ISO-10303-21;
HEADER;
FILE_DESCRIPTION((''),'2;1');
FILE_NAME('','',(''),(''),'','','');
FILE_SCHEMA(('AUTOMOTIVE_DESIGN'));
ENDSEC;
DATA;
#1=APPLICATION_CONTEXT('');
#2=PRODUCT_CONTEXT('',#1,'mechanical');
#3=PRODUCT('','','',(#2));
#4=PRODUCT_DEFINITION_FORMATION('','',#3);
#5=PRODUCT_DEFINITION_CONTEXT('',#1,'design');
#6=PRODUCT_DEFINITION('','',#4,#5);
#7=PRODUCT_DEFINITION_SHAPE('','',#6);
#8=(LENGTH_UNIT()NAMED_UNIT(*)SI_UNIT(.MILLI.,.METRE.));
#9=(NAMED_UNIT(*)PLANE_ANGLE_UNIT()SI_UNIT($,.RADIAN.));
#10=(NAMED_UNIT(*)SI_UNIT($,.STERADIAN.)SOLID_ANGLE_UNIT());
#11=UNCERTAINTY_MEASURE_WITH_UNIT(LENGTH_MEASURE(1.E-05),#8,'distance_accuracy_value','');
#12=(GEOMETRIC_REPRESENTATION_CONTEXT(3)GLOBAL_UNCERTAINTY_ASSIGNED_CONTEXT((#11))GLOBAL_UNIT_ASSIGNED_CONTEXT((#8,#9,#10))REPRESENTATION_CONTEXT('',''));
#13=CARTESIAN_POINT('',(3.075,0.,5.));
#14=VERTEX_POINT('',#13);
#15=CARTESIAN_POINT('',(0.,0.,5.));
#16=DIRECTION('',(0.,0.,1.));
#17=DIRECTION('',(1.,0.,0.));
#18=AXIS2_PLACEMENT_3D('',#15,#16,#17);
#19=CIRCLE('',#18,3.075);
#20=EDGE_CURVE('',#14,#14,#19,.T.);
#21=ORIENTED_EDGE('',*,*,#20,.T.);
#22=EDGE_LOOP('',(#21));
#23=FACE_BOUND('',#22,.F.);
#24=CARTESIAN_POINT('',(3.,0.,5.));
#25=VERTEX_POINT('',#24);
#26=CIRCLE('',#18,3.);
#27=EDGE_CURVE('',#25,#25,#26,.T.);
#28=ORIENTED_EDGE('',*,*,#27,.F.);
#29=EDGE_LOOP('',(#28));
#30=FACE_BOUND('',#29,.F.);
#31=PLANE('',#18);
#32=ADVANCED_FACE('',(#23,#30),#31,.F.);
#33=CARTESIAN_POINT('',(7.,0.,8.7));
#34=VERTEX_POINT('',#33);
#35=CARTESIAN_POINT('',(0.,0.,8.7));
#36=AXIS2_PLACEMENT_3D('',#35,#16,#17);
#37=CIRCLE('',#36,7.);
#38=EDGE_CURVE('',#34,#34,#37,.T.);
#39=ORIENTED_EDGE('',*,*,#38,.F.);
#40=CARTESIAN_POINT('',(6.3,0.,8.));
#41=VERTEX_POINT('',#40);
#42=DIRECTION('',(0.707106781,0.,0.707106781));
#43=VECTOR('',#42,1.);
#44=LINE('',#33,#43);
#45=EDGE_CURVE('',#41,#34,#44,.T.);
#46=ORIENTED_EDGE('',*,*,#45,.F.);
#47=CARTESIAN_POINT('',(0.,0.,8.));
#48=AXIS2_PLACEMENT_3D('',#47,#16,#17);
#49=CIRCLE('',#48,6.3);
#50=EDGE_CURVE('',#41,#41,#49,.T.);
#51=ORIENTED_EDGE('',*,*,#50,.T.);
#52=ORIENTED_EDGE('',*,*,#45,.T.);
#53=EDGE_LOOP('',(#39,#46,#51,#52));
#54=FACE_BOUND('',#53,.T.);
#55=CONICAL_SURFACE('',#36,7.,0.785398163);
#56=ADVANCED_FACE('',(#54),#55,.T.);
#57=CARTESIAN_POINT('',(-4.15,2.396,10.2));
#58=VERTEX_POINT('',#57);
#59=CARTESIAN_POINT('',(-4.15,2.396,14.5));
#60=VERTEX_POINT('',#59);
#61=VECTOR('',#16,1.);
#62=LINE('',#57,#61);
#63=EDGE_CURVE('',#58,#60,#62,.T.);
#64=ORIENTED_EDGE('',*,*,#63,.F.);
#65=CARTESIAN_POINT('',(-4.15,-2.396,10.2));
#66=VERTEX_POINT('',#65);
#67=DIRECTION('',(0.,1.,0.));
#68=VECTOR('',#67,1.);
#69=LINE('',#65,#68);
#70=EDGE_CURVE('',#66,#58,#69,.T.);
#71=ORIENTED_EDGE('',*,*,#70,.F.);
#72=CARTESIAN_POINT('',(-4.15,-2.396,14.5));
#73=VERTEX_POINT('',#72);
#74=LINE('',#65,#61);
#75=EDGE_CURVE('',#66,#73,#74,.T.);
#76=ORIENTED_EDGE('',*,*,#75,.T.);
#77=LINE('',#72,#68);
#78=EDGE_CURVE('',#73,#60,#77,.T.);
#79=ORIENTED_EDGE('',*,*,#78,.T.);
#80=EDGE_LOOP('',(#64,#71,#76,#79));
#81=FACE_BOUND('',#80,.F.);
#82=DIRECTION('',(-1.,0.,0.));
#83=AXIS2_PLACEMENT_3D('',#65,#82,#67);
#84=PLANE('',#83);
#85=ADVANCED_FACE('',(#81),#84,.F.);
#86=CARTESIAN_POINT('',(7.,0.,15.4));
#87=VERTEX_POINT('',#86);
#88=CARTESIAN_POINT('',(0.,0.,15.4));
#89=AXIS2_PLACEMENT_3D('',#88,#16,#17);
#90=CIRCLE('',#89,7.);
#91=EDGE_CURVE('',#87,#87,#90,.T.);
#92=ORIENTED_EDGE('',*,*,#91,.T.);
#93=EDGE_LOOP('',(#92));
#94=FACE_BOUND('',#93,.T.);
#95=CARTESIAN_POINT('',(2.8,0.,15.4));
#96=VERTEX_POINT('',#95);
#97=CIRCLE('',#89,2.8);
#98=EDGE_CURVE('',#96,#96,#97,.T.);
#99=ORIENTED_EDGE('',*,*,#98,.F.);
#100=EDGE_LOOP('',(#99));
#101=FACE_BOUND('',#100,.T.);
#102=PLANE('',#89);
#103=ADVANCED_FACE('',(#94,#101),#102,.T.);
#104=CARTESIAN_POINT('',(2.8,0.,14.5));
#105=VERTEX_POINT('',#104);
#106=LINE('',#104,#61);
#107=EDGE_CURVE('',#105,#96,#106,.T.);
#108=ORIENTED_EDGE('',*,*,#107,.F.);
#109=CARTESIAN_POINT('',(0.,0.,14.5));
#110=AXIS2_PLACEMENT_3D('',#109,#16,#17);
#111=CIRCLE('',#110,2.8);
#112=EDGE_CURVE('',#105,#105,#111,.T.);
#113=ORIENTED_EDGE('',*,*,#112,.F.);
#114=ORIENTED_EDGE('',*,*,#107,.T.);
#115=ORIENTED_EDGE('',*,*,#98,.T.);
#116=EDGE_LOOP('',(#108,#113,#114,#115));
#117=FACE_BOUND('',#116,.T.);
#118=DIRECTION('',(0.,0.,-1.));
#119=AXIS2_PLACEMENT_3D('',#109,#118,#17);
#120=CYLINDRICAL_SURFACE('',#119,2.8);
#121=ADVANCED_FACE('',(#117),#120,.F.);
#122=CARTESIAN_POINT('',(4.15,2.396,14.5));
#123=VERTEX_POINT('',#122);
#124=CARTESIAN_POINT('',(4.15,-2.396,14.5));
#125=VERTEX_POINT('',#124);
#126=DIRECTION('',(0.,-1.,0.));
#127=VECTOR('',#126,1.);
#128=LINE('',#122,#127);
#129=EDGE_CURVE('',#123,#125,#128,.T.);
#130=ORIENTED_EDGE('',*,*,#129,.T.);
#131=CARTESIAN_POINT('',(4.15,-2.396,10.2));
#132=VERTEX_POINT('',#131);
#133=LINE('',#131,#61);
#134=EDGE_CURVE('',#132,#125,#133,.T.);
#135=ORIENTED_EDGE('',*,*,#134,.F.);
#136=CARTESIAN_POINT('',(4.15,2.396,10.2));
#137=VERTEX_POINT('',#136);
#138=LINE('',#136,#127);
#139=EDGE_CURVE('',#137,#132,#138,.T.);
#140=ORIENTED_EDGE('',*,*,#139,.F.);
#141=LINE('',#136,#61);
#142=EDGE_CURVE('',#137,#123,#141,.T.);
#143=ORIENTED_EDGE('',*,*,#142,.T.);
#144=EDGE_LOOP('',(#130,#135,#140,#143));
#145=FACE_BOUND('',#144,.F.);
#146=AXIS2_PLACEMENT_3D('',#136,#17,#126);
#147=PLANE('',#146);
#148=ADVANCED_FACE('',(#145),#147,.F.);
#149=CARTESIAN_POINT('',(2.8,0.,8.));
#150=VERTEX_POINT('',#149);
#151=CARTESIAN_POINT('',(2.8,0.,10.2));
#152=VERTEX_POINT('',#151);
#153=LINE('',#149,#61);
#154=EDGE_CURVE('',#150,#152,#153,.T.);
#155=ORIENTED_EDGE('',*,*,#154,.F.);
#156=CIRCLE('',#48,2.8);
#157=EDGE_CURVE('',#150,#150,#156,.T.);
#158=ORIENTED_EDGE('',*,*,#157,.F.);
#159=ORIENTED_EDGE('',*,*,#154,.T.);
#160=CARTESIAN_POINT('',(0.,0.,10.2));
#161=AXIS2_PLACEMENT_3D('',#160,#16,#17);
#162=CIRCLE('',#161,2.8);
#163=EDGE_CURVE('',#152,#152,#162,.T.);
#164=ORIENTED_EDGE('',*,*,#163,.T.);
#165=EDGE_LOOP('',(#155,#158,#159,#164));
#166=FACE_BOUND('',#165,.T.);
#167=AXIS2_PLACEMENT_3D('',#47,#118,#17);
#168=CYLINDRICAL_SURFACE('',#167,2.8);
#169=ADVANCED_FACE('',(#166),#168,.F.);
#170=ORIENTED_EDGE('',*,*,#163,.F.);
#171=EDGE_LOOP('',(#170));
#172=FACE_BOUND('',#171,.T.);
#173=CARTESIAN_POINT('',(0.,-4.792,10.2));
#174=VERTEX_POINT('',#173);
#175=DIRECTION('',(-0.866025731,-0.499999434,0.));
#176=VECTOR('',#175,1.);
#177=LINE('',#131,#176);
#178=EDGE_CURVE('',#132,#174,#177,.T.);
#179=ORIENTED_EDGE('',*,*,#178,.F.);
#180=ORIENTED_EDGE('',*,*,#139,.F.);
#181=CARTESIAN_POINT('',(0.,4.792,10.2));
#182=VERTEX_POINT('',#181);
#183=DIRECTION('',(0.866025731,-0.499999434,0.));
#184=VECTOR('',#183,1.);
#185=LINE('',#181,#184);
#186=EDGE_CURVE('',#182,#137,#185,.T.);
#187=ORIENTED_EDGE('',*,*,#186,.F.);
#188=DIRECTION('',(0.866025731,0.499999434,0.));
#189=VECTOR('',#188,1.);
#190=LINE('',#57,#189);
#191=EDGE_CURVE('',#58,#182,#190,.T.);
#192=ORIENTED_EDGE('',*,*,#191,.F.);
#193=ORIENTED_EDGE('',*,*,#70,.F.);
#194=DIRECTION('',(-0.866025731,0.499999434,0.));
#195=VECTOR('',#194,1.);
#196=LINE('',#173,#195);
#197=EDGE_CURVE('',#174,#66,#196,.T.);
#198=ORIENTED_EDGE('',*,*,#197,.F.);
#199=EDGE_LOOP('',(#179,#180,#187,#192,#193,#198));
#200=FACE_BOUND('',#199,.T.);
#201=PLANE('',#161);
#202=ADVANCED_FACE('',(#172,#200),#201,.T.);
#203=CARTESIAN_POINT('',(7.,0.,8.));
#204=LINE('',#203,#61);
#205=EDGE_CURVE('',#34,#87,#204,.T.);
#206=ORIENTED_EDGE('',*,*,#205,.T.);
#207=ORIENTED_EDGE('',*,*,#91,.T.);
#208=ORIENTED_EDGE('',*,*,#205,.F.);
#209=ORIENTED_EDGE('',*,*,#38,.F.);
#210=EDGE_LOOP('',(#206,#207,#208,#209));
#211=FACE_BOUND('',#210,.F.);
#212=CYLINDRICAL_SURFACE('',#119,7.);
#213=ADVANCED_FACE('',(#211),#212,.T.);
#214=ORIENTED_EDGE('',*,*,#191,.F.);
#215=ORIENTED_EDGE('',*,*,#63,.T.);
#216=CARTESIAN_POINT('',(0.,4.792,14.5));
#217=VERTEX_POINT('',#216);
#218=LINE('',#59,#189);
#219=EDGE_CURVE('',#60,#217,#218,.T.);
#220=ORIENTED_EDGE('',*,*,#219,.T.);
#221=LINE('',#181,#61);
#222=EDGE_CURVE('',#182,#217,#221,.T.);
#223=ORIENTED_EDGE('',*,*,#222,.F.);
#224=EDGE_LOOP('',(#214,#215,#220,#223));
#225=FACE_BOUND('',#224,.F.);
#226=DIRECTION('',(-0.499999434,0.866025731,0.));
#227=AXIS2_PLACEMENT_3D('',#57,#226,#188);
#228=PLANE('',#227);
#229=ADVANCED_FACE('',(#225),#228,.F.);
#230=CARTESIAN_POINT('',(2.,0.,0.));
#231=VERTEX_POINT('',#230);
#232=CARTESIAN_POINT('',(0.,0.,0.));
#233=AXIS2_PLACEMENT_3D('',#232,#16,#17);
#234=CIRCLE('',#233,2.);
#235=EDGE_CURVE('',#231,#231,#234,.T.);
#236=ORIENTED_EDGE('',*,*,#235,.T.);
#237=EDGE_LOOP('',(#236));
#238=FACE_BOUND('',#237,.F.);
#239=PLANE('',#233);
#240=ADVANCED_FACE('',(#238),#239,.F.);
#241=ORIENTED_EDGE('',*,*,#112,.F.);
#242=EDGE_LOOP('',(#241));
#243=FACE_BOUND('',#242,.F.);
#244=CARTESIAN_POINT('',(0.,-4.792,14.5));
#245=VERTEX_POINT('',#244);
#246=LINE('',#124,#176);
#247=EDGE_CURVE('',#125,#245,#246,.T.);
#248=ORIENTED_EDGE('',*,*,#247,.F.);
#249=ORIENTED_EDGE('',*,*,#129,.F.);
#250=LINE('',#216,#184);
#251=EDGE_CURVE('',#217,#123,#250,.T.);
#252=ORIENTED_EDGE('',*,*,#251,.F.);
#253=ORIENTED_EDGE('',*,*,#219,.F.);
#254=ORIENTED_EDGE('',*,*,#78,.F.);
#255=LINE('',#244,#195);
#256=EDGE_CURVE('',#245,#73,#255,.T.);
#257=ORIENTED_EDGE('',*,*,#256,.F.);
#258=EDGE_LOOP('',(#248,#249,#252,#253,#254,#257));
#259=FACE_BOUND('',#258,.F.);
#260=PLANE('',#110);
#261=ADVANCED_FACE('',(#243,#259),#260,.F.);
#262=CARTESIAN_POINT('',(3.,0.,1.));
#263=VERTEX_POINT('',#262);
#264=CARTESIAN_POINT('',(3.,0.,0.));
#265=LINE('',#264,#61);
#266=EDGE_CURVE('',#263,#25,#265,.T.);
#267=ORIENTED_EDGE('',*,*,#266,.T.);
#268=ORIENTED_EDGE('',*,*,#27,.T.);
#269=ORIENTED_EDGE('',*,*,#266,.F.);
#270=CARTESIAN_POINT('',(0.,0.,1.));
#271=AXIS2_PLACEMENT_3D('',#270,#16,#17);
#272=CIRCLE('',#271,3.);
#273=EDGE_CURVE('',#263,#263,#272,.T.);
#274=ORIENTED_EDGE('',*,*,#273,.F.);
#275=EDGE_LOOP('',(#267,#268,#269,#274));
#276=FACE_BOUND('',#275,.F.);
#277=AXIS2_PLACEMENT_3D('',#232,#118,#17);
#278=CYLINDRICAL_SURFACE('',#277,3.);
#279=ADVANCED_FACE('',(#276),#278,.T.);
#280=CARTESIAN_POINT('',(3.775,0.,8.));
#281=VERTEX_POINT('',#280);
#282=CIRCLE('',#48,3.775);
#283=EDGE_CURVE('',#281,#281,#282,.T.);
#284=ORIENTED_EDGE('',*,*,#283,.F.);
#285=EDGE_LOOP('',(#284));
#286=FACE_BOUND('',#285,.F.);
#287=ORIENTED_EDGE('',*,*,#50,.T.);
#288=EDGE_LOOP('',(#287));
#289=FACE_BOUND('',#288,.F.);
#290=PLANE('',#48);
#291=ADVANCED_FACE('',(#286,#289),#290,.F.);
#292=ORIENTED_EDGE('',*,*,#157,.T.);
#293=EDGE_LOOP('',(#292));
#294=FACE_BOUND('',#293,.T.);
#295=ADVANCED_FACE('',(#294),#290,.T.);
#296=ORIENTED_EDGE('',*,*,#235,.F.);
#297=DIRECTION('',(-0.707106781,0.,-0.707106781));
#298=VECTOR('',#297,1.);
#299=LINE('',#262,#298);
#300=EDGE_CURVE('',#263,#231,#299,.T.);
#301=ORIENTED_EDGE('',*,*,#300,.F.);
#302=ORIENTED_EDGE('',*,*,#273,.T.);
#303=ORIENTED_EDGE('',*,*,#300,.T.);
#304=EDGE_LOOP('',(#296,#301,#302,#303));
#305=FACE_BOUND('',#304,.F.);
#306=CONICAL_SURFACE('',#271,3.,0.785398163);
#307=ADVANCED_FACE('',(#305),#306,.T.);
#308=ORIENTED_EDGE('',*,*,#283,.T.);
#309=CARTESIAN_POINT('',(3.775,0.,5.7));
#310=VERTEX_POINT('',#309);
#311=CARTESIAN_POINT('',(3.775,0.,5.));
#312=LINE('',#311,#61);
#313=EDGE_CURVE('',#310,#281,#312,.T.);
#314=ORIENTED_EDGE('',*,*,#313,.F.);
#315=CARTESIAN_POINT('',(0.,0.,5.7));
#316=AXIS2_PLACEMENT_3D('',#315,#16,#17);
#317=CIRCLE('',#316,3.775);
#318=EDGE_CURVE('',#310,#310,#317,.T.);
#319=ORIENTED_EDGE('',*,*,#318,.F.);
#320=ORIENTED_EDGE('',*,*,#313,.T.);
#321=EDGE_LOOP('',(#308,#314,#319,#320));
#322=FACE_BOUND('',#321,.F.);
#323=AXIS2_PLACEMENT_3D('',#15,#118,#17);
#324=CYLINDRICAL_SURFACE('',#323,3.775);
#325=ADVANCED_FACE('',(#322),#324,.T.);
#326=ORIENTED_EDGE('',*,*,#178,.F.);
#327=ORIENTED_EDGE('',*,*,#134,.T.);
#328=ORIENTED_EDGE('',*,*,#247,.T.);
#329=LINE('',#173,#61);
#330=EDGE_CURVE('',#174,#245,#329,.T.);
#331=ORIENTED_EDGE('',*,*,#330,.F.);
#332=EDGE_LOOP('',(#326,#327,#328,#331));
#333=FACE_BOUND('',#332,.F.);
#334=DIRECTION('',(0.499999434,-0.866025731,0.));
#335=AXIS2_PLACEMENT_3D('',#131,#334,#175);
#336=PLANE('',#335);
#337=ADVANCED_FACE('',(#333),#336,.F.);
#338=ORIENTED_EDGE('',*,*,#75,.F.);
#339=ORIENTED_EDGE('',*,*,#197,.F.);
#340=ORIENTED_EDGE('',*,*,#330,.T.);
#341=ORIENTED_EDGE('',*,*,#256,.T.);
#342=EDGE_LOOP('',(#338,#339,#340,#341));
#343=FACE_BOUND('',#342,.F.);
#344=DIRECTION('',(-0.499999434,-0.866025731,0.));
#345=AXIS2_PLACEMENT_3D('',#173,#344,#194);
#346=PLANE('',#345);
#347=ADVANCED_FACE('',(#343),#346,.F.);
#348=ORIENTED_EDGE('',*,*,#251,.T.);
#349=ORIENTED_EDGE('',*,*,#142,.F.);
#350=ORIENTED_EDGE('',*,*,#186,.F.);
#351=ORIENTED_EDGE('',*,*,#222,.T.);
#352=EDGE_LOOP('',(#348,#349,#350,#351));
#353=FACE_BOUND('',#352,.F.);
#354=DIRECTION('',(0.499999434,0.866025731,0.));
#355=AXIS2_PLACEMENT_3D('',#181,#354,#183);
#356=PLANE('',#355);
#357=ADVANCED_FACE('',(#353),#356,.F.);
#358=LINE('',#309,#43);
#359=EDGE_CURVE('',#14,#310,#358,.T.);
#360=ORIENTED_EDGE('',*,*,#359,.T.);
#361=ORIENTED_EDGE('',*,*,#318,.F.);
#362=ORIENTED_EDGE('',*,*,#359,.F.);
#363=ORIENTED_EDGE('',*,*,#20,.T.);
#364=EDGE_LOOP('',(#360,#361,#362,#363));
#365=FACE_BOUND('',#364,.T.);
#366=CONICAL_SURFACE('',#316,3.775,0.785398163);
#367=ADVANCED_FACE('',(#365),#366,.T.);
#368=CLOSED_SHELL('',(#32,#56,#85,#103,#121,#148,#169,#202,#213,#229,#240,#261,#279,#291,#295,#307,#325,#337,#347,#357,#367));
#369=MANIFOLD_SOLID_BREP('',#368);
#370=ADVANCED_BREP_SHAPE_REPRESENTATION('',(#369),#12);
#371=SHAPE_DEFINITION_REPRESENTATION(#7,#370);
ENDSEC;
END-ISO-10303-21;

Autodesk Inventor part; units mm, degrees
ref_plane "YZ Plane" through (0, 0, 0) normal (1, 0, 0) x (0, 1, 0)
ref_plane "XZ Plane" through (0, 0, 0) normal (0, 1, 0) x (-1, 0, 0)
ref_plane "XY Plane" through (0, 0, 0) normal (0, 0, 1) x (1, 0, 0)
sketch "Sketch1" plane through (0, 0, 0) normal (0, 0, 1) x (1, 0, 0)
  circle A0 centre (0, 0) radius 3
  dimension "d0" = 6
extrude "Extrusion1" add sketch "Sketch1" along normal blind 5
sketch "Sketch2" plane through (0, 0, 5) normal (0, 0, 1) x (1, 0, 0)
  circle A0 centre (0, 0) radius 3.775
  dimension "d3" = 7.55
extrude "Extrusion2" add sketch "Sketch2" along normal blind 3
sketch "Sketch3" plane through (0, 0, 8) normal (0, 0, 1) x (1, 0, 0)
  circle A0 centre (0, 0) radius 7
  circle A1 centre (0, 0) radius 2.8
  dimension "d7" = 14
  dimension "d25" = 5.6
extrude "Extrusion3" add sketch "Sketch3" along normal blind 2.2
sketch "Sketch5" plane through (0, 0, 10.2) normal (0, 0, 1) x (1, 0, 0)
  line L0 (-4.15, 2.396) -> (0, 4.792)
  line L1 (0, 4.792) -> (4.15, 2.396)
  line L2 (4.15, 2.396) -> (4.15, -2.396)
  line L3 (4.15, -2.396) -> (0, -4.792)
  line L4 (0, -4.792) -> (-4.15, -2.396)
  line L5 (-4.15, -2.396) -> (-4.15, 2.396)
  circle A0 centre (0, 0) radius 7
  dimension "d19" = 8.3
extrude "Extrusion5" add sketch "Sketch5" along normal blind 4.3
sketch "Sketch6" plane through (0, 0, 14.5) normal (0, 0, 1) x (1, 0, 0)
  circle A0 centre (0, 0) radius 7
  circle A1 centre (0, 0) radius 2.8
  dimension "d24" = 5.6
extrude "Extrusion6" add sketch "Sketch6" along normal blind 0.9
chamfer "Chamfer1" distance 1 angle 45 1 edges at (-3, 0, 0)
chamfer "Chamfer2" distance 0.7 angle 45 2 edges at (-3.775, 0, 5) (-7, 0, 8)
equation "\"m3_hex_s\" = 5.4"
equation "\"m3_hex_m\" = 2.3"
equation "\"m3_rund_d\" = 5.95"
equation "\"m3_rund_m\" = 2.6"
equation "\"l______________l\" = 0"
equation "\"Lengths\" = 0"
equation "\"L20\" = 0"
equation "\"L25\" = 0"
equation "\"L16\" = 0"
equation "\"L12\" = 0"
equation "\"L8\" = 0"
equation "\"L4\" = 0"
equation "\"m3_s\" = 5.4"
equation "\"m3_m\" = 2.3"
properties part number "Shaft_to_beam_interface_3DPrint"
